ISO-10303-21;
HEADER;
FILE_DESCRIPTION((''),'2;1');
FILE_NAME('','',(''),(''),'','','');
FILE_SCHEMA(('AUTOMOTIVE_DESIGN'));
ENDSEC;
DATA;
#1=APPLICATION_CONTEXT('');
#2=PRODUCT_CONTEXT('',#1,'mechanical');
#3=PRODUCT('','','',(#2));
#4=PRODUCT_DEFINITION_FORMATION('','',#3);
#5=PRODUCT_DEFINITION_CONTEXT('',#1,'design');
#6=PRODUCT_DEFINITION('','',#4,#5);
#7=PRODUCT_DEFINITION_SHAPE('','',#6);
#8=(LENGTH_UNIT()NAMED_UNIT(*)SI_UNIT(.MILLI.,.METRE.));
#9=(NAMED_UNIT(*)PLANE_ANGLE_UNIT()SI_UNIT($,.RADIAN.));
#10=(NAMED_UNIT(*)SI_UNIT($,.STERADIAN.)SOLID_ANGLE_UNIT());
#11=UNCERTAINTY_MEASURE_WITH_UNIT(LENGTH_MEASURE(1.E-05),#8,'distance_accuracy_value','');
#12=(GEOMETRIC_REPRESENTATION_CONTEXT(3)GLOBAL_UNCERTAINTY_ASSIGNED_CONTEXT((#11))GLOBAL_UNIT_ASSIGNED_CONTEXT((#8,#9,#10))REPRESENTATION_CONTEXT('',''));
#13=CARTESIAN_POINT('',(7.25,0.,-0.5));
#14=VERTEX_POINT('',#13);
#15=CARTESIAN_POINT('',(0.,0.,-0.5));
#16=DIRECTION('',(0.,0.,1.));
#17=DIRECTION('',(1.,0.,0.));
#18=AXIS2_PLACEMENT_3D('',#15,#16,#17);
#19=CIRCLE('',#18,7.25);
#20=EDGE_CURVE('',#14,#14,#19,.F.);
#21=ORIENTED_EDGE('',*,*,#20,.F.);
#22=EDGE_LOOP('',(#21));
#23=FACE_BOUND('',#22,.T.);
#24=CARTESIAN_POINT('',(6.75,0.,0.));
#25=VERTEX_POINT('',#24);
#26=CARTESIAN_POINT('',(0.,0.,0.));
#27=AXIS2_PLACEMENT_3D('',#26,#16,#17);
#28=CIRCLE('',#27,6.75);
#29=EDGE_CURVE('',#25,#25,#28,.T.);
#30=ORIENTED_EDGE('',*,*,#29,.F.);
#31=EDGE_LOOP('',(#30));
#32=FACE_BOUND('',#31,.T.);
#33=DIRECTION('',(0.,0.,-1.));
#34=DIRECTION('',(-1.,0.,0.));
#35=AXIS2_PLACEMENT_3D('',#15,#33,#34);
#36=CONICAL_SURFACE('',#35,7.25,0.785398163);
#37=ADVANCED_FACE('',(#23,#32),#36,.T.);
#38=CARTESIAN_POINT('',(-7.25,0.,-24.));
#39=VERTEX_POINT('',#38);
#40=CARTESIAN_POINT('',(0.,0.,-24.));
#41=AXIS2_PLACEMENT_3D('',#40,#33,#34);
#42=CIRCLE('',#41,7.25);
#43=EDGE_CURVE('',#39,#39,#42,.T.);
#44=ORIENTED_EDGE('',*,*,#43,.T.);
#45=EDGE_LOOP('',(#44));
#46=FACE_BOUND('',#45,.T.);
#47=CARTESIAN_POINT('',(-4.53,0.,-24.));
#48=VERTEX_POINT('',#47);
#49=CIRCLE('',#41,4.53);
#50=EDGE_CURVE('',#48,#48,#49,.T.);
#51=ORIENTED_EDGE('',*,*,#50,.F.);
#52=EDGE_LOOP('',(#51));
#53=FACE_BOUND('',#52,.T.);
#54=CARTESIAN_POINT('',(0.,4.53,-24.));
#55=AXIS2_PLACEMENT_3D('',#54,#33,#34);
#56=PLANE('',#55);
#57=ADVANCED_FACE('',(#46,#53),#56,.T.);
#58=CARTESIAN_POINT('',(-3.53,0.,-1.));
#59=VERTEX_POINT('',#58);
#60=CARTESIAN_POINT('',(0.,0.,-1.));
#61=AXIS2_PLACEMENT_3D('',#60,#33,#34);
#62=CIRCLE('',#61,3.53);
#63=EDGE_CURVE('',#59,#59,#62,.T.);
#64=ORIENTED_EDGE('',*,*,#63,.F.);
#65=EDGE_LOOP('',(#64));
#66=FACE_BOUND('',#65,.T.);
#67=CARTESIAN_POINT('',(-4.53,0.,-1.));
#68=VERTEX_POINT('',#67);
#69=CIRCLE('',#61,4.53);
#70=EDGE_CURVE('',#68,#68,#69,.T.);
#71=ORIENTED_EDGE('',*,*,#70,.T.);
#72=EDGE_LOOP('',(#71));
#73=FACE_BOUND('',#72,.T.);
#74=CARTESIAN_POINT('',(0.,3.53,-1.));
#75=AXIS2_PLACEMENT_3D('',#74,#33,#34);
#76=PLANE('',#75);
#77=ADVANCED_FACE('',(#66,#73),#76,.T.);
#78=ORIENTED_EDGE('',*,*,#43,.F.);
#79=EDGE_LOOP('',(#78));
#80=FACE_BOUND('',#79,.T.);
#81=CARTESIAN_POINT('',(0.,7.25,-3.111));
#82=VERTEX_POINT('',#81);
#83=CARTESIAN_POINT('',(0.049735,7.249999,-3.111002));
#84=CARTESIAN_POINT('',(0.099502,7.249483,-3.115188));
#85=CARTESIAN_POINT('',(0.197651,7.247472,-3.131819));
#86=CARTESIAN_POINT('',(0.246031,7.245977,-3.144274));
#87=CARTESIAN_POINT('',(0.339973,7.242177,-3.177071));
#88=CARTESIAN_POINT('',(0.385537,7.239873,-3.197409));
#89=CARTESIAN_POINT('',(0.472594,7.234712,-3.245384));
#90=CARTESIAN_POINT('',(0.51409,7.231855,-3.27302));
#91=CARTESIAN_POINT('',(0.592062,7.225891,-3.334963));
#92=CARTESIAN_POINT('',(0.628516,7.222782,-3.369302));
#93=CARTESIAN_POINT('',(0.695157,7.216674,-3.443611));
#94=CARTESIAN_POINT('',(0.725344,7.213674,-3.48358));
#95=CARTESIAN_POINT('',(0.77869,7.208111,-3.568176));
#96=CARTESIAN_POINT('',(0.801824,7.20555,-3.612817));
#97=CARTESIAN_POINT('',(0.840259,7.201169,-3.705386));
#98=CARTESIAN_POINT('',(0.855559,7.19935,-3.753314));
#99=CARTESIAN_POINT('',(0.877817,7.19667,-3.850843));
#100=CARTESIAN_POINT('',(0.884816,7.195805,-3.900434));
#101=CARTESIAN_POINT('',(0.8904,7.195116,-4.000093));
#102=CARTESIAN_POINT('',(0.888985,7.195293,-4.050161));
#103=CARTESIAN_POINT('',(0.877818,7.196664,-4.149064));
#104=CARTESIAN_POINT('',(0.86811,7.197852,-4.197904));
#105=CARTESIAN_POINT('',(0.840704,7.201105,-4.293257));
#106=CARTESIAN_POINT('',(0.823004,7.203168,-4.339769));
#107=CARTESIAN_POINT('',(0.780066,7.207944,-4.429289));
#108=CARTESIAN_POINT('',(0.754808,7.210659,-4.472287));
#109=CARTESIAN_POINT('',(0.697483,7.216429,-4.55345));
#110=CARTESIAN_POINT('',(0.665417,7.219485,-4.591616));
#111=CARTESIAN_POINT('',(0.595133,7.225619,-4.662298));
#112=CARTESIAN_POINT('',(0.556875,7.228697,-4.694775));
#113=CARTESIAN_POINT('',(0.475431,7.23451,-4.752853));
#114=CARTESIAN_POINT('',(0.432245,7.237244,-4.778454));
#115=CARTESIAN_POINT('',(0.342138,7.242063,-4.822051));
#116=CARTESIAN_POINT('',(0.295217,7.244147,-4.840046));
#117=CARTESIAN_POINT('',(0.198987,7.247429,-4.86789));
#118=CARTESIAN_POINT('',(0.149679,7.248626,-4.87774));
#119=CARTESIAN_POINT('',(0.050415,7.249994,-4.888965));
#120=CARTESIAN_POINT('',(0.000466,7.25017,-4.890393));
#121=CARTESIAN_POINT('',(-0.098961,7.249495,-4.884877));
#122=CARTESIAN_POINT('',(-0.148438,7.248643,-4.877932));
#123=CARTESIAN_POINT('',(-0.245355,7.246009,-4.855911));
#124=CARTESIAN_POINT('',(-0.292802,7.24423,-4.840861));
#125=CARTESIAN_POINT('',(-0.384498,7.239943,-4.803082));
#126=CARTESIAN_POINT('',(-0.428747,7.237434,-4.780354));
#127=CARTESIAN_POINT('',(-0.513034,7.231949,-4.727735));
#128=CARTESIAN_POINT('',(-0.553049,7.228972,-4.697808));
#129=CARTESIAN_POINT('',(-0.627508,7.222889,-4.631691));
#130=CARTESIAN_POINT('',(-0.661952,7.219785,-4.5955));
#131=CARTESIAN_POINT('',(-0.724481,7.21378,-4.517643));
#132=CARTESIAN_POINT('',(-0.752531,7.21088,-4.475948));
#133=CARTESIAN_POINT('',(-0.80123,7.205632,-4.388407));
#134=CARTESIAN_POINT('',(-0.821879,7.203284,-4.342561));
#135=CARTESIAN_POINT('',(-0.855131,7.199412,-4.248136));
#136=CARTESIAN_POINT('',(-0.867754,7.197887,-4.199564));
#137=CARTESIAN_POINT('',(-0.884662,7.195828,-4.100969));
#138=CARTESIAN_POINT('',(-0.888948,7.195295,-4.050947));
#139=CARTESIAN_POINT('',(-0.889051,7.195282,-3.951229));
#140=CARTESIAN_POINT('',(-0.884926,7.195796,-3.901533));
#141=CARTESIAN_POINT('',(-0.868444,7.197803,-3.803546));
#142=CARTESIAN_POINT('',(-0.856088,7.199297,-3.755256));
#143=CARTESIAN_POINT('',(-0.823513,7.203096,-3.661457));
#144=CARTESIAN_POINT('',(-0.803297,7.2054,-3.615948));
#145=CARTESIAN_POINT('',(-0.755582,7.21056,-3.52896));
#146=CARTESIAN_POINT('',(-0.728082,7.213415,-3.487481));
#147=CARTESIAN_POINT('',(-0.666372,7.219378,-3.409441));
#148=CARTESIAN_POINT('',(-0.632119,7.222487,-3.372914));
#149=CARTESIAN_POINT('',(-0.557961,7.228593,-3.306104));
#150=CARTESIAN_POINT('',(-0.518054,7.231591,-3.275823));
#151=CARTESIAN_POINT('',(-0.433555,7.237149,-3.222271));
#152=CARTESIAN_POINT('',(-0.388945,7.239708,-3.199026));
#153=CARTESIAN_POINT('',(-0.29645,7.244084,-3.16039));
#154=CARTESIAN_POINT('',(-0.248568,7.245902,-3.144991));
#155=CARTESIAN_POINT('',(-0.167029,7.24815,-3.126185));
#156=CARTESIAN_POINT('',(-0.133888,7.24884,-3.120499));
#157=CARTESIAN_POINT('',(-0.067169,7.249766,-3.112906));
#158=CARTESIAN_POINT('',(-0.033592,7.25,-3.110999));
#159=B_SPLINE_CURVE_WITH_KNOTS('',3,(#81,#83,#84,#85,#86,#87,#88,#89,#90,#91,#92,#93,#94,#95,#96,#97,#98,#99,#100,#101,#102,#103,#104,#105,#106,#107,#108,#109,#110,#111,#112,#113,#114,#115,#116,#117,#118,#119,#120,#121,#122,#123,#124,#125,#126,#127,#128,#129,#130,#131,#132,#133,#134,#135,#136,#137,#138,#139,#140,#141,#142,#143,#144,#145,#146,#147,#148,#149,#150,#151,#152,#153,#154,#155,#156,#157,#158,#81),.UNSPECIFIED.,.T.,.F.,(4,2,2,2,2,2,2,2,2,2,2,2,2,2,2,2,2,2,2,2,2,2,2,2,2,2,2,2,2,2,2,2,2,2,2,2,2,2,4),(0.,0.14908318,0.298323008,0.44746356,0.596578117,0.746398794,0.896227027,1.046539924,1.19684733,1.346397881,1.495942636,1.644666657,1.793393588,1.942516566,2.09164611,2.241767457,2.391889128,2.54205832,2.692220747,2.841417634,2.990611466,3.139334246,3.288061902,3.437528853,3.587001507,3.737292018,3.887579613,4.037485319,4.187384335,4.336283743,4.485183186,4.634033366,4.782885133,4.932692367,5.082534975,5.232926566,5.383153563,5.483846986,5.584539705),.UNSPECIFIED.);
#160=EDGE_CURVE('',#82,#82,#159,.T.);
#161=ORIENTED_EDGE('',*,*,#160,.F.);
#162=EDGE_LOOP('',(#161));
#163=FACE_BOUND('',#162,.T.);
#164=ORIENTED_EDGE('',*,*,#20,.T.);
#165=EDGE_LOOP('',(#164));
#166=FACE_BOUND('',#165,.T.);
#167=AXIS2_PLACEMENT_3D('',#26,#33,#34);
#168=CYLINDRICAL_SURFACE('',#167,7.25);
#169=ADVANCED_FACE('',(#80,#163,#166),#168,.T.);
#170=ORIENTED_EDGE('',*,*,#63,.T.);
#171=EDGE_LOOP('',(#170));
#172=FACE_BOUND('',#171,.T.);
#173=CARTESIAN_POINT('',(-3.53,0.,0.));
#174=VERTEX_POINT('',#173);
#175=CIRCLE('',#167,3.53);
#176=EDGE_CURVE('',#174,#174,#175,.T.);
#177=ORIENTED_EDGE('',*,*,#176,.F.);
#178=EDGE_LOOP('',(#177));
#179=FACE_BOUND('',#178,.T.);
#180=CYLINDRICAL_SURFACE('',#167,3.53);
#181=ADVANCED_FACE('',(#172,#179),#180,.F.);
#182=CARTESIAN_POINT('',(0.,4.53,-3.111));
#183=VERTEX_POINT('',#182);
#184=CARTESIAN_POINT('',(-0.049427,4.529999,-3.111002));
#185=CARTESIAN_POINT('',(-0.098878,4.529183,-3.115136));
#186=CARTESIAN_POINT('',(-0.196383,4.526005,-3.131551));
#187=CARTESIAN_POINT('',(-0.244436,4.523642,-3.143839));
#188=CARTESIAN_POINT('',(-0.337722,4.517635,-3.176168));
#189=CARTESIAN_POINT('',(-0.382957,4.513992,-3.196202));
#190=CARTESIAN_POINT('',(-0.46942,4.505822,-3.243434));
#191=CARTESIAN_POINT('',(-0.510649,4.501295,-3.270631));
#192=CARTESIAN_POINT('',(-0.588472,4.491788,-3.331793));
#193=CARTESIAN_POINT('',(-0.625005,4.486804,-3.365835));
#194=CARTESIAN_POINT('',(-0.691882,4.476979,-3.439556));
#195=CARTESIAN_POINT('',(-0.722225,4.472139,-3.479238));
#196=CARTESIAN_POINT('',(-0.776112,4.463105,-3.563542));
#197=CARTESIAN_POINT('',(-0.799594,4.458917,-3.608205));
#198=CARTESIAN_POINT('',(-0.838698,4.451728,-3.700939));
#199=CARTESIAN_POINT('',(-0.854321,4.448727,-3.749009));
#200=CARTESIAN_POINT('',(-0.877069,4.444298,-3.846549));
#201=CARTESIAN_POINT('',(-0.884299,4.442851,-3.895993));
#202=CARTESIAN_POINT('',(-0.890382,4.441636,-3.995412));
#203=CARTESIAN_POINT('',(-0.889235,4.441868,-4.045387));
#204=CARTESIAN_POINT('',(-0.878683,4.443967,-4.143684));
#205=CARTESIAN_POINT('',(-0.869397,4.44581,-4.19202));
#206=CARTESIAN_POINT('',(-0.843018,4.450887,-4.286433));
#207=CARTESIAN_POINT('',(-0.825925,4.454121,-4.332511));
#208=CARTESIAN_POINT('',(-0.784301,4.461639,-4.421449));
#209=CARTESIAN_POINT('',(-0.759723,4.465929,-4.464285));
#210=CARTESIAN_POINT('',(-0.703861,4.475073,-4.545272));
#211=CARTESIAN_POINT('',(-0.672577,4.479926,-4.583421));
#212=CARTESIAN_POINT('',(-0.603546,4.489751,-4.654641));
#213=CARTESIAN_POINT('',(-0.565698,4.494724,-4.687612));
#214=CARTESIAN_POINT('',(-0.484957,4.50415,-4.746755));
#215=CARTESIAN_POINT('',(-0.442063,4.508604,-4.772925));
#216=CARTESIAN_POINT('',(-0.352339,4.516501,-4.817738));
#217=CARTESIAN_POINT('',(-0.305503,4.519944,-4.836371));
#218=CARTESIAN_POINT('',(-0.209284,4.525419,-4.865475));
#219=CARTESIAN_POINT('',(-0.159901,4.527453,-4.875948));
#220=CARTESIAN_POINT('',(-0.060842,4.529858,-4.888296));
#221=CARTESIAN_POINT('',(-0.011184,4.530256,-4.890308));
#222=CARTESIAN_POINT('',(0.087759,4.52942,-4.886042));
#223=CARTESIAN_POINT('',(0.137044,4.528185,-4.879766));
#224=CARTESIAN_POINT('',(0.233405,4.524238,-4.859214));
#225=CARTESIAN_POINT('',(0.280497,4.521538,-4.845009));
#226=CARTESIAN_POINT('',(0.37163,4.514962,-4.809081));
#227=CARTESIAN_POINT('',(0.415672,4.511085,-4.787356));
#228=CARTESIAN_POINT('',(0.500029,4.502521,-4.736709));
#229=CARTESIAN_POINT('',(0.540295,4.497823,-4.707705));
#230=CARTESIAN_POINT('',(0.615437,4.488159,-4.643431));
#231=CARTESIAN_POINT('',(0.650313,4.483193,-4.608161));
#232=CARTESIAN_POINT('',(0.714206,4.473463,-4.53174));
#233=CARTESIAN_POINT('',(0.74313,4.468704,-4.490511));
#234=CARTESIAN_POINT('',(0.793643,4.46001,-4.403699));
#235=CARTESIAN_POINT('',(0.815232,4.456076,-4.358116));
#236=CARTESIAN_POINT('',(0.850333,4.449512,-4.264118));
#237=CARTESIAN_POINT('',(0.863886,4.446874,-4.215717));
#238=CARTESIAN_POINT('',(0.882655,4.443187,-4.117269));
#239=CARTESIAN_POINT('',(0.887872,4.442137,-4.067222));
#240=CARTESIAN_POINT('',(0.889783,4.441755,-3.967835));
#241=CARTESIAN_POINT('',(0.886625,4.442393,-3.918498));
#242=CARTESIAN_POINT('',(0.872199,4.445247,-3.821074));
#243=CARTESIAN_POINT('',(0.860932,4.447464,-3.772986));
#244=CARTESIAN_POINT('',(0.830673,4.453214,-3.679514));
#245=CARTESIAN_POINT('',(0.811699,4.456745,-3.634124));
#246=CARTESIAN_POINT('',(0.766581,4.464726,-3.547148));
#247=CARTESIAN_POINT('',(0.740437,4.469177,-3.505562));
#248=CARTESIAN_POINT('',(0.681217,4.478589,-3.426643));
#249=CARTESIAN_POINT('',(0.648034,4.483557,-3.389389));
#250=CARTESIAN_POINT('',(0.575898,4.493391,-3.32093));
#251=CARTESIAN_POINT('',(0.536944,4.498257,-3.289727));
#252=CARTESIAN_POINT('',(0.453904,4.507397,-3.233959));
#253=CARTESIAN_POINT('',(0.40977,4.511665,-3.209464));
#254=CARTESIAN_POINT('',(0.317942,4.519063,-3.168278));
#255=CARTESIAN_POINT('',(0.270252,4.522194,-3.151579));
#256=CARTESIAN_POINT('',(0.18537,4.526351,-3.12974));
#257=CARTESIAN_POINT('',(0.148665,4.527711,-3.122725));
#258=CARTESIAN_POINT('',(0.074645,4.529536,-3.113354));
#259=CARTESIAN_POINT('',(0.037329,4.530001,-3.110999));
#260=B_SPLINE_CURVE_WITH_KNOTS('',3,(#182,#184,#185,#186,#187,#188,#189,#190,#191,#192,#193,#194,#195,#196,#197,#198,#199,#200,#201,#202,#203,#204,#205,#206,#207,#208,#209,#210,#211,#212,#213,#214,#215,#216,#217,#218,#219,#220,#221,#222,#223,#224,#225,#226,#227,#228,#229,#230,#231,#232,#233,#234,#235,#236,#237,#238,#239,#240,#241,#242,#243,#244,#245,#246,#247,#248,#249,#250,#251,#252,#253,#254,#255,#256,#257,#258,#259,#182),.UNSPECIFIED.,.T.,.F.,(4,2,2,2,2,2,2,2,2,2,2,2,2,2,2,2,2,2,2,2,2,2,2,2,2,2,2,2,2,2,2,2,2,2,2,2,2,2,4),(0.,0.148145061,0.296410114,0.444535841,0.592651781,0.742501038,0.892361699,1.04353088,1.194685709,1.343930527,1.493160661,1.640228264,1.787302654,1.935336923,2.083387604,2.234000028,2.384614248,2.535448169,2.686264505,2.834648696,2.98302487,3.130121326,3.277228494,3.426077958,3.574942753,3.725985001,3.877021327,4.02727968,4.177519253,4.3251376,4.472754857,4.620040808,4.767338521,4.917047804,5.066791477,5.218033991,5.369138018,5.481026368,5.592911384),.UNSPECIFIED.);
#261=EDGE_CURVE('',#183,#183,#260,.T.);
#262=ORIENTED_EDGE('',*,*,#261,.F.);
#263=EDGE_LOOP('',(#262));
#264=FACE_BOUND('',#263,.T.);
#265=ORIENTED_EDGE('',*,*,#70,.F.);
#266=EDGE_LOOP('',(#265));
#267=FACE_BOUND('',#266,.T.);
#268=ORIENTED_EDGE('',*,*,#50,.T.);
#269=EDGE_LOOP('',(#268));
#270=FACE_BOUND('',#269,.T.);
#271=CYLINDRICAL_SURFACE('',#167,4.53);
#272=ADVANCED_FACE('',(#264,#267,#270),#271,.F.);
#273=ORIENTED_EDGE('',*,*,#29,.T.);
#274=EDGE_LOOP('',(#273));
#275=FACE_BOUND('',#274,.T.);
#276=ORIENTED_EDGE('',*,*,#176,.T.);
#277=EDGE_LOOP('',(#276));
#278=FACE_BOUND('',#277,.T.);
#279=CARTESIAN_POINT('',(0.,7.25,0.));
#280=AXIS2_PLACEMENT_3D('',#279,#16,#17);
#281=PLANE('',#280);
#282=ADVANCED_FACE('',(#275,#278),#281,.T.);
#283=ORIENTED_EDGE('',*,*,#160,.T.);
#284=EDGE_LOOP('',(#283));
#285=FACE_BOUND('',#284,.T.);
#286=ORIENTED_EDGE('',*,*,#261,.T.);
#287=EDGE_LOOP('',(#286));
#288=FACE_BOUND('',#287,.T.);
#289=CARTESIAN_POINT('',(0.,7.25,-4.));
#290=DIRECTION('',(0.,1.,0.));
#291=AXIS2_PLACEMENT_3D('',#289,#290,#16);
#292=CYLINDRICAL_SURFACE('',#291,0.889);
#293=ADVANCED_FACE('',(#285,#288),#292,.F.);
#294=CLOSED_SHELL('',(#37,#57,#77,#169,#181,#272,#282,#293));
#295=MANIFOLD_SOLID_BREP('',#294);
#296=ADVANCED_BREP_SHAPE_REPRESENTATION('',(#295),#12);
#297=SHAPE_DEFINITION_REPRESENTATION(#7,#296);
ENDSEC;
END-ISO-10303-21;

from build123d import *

# Parameters (mm, degrees)
F_2_56_TAPPED_HOLE2_REACH  = 16.5
F_2_56_TAPPED_HOLE2_BORE_R = 0.889
CHAMFER1_SIZE              = 0.5


with BuildPart() as part:
    # Sketch1 → Revolve1 (revolve)
    with BuildSketch(Plane(origin=(0, 0, 0), x_dir=(0, 0, -1), z_dir=(1, 0, 0)), mode=Mode.PRIVATE) as revolve1_sk:
        Polygon((0, 7.25), (0, 3.53), (1, 3.53), (1, 4.53), (24, 4.53), (24, 7.25), align=None)
    revolve(revolve1_sk.sketch.rotate(Axis((0, 0, 0), (0, 0, 1)), 90), axis=Axis((0, 0, 0), (0, 0, 1)))  # turned: the seam where the file's is

    # #2-56 Tapped Hole2 bore (on position points) → #2-56 Tapped Hole2 (cut, up to next)
    with BuildSketch(Plane(origin=(0, 7.25, -4), x_dir=(1, 0, 0), z_dir=(0, 1, 0)), mode=Mode.PRIVATE) as f_2_56_tapped_hole2_sk1:
        Circle(F_2_56_TAPPED_HOLE2_BORE_R)
    f_2_56_tapped_hole2_tool1 = extrude(f_2_56_tapped_hole2_sk1.sketch, amount=-F_2_56_TAPPED_HOLE2_REACH, mode=Mode.PRIVATE) & part.part
    add(f_2_56_tapped_hole2_tool1.solids().sort_by_distance((0, 7.25, -4))[0], mode=Mode.SUBTRACT)

    # Chamfer1
    chamfer1_edges = [part.edges().sort_by_distance(p)[0] for p in [
        (7.25, 0, 0),
    ]]
    chamfer(chamfer1_edges, length=CHAMFER1_SIZE)


solid = part.part
